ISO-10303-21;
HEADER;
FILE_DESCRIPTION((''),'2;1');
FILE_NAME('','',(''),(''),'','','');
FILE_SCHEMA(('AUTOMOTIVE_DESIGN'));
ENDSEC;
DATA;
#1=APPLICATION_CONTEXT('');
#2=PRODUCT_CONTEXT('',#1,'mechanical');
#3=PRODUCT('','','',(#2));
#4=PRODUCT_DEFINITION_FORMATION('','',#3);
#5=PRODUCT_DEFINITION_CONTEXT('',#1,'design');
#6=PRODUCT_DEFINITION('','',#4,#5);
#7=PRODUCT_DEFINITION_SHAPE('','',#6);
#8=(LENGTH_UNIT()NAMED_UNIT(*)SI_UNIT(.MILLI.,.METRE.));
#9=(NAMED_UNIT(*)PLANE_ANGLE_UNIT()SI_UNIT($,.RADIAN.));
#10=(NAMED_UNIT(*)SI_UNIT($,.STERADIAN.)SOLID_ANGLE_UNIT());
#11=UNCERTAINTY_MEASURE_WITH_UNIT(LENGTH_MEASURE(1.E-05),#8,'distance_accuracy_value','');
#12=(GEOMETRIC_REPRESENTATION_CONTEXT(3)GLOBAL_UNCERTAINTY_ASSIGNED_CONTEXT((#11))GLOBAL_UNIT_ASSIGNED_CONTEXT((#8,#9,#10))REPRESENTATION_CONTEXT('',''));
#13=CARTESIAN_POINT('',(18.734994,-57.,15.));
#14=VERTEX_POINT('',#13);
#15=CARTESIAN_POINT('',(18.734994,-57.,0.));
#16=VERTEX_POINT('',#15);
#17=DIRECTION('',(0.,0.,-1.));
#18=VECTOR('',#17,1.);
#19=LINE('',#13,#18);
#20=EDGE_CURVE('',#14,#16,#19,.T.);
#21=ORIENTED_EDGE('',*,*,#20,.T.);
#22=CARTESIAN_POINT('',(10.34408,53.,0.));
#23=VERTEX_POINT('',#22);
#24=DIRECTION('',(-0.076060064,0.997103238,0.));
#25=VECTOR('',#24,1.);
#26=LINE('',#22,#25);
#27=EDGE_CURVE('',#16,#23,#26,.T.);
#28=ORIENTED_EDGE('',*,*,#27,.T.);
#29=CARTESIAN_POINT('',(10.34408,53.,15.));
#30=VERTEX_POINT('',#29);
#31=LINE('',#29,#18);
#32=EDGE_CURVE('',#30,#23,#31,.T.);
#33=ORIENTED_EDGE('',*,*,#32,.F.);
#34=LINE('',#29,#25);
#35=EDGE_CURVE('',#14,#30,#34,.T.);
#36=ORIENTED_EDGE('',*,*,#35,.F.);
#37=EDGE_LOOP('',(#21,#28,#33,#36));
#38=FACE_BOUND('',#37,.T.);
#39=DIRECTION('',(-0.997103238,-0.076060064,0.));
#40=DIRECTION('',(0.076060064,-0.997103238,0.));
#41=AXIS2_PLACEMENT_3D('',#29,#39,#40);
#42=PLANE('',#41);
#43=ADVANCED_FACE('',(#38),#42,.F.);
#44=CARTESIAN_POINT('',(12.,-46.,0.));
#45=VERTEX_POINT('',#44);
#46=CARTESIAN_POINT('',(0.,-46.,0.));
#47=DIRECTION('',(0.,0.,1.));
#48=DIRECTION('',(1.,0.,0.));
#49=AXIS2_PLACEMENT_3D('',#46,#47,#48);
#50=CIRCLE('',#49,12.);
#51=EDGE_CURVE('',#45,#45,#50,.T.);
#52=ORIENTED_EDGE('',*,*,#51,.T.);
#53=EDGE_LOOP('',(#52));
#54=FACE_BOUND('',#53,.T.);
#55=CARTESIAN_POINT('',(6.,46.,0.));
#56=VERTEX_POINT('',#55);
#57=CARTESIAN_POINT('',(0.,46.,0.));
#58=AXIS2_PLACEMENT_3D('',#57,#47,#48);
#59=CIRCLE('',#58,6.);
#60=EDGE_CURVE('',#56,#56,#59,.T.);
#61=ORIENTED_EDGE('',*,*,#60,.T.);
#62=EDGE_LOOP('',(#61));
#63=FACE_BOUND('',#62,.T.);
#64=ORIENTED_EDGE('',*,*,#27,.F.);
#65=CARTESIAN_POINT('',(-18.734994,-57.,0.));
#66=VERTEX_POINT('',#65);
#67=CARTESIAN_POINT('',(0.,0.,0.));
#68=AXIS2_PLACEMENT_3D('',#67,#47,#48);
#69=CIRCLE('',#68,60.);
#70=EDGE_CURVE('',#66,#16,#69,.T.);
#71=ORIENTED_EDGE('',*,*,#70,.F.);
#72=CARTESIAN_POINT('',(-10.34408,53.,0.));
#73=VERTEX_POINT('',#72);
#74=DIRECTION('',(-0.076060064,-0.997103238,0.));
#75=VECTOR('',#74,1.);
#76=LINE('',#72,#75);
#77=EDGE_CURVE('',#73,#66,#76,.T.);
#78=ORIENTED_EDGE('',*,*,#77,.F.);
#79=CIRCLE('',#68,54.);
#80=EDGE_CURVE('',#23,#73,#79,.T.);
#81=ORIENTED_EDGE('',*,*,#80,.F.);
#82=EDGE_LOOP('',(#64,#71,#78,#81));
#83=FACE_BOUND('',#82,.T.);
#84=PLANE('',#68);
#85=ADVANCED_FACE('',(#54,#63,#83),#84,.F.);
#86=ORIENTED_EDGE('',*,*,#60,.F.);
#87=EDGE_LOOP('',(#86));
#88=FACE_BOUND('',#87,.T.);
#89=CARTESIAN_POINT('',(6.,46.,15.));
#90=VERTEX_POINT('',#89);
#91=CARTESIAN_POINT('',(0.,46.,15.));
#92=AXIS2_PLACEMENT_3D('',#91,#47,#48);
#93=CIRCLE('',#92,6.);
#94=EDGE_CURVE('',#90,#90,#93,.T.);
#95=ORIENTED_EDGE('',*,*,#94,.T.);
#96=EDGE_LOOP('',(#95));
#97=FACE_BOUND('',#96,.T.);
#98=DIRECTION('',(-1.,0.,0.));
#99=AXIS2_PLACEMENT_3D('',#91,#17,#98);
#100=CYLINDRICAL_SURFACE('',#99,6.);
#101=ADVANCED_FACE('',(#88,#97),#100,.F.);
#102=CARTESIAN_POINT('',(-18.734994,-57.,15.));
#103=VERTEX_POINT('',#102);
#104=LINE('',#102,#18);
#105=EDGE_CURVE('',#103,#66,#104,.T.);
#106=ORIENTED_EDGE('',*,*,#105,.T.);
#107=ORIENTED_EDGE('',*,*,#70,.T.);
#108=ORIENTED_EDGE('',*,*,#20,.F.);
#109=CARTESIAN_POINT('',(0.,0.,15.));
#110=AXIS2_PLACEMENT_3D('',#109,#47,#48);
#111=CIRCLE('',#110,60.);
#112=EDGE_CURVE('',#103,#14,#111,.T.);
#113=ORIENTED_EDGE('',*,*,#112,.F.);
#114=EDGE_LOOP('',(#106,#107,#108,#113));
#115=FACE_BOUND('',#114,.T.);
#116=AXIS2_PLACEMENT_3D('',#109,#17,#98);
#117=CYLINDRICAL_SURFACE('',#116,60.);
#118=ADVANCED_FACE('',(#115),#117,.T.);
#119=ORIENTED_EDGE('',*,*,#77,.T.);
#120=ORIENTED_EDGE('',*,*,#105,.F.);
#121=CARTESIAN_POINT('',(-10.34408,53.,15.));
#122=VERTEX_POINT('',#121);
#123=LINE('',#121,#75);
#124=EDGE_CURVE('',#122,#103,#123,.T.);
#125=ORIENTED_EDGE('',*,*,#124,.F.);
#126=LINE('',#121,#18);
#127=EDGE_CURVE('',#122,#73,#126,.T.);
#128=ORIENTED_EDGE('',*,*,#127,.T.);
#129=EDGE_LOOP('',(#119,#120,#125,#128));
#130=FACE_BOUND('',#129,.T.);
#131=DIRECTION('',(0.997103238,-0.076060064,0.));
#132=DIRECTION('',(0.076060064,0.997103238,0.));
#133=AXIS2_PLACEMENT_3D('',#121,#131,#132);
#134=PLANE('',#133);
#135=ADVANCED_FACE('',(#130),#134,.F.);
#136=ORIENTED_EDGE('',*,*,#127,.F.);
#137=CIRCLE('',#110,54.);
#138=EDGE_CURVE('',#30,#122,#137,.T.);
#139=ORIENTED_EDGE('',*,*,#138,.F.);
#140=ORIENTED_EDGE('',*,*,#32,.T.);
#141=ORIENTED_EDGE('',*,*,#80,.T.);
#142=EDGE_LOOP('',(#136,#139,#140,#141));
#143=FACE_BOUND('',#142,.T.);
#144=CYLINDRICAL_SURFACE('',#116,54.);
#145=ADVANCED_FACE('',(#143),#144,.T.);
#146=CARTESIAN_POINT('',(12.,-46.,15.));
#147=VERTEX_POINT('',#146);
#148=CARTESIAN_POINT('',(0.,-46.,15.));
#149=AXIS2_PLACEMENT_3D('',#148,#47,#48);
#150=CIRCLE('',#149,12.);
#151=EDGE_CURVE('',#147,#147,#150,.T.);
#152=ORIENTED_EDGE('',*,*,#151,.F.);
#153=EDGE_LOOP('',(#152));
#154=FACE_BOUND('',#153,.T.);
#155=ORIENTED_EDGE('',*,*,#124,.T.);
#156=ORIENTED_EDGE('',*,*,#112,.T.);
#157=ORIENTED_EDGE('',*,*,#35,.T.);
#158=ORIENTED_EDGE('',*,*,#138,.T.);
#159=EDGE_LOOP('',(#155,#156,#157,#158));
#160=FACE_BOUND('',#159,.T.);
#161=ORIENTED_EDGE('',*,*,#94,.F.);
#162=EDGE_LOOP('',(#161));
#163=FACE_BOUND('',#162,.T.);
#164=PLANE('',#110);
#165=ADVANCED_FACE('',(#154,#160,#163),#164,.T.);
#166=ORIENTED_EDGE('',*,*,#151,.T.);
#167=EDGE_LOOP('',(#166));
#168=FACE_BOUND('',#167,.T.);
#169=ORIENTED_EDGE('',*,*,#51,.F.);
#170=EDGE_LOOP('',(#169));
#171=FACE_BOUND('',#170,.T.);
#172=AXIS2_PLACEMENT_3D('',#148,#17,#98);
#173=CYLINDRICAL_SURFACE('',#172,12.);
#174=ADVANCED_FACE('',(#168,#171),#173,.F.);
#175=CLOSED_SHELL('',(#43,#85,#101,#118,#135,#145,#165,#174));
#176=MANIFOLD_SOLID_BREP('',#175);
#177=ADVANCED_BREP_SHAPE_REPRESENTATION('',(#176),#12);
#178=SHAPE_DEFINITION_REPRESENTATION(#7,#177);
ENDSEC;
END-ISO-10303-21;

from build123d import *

# Parameters (mm, degrees)
SKETCH1_R           = 6
SKETCH1_R_2         = 12
BOSS_EXTRUDE1_DEPTH = 15


with BuildPart() as part:
    # Sketch1 → Boss-Extrude1 (new body)
    with BuildSketch(Plane.XY):
        with BuildLine():
            Line((-10.344080433, 53), (-18.734993995, -57))
            ThreePointArc((-18.734993995, -57), (0, -60), (18.734993995, -57))
            Line((18.734993995, -57), (10.344080433, 53))
            ThreePointArc((10.344080433, 53), (0, 54), (-10.344080433, 53))
        make_face()
        with Locations((0, 46)):
            Circle(SKETCH1_R, mode=Mode.SUBTRACT)
        with Locations((0, -46)):
            Circle(SKETCH1_R_2, mode=Mode.SUBTRACT)
    extrude(amount=BOSS_EXTRUDE1_DEPTH)


solid = part.part
